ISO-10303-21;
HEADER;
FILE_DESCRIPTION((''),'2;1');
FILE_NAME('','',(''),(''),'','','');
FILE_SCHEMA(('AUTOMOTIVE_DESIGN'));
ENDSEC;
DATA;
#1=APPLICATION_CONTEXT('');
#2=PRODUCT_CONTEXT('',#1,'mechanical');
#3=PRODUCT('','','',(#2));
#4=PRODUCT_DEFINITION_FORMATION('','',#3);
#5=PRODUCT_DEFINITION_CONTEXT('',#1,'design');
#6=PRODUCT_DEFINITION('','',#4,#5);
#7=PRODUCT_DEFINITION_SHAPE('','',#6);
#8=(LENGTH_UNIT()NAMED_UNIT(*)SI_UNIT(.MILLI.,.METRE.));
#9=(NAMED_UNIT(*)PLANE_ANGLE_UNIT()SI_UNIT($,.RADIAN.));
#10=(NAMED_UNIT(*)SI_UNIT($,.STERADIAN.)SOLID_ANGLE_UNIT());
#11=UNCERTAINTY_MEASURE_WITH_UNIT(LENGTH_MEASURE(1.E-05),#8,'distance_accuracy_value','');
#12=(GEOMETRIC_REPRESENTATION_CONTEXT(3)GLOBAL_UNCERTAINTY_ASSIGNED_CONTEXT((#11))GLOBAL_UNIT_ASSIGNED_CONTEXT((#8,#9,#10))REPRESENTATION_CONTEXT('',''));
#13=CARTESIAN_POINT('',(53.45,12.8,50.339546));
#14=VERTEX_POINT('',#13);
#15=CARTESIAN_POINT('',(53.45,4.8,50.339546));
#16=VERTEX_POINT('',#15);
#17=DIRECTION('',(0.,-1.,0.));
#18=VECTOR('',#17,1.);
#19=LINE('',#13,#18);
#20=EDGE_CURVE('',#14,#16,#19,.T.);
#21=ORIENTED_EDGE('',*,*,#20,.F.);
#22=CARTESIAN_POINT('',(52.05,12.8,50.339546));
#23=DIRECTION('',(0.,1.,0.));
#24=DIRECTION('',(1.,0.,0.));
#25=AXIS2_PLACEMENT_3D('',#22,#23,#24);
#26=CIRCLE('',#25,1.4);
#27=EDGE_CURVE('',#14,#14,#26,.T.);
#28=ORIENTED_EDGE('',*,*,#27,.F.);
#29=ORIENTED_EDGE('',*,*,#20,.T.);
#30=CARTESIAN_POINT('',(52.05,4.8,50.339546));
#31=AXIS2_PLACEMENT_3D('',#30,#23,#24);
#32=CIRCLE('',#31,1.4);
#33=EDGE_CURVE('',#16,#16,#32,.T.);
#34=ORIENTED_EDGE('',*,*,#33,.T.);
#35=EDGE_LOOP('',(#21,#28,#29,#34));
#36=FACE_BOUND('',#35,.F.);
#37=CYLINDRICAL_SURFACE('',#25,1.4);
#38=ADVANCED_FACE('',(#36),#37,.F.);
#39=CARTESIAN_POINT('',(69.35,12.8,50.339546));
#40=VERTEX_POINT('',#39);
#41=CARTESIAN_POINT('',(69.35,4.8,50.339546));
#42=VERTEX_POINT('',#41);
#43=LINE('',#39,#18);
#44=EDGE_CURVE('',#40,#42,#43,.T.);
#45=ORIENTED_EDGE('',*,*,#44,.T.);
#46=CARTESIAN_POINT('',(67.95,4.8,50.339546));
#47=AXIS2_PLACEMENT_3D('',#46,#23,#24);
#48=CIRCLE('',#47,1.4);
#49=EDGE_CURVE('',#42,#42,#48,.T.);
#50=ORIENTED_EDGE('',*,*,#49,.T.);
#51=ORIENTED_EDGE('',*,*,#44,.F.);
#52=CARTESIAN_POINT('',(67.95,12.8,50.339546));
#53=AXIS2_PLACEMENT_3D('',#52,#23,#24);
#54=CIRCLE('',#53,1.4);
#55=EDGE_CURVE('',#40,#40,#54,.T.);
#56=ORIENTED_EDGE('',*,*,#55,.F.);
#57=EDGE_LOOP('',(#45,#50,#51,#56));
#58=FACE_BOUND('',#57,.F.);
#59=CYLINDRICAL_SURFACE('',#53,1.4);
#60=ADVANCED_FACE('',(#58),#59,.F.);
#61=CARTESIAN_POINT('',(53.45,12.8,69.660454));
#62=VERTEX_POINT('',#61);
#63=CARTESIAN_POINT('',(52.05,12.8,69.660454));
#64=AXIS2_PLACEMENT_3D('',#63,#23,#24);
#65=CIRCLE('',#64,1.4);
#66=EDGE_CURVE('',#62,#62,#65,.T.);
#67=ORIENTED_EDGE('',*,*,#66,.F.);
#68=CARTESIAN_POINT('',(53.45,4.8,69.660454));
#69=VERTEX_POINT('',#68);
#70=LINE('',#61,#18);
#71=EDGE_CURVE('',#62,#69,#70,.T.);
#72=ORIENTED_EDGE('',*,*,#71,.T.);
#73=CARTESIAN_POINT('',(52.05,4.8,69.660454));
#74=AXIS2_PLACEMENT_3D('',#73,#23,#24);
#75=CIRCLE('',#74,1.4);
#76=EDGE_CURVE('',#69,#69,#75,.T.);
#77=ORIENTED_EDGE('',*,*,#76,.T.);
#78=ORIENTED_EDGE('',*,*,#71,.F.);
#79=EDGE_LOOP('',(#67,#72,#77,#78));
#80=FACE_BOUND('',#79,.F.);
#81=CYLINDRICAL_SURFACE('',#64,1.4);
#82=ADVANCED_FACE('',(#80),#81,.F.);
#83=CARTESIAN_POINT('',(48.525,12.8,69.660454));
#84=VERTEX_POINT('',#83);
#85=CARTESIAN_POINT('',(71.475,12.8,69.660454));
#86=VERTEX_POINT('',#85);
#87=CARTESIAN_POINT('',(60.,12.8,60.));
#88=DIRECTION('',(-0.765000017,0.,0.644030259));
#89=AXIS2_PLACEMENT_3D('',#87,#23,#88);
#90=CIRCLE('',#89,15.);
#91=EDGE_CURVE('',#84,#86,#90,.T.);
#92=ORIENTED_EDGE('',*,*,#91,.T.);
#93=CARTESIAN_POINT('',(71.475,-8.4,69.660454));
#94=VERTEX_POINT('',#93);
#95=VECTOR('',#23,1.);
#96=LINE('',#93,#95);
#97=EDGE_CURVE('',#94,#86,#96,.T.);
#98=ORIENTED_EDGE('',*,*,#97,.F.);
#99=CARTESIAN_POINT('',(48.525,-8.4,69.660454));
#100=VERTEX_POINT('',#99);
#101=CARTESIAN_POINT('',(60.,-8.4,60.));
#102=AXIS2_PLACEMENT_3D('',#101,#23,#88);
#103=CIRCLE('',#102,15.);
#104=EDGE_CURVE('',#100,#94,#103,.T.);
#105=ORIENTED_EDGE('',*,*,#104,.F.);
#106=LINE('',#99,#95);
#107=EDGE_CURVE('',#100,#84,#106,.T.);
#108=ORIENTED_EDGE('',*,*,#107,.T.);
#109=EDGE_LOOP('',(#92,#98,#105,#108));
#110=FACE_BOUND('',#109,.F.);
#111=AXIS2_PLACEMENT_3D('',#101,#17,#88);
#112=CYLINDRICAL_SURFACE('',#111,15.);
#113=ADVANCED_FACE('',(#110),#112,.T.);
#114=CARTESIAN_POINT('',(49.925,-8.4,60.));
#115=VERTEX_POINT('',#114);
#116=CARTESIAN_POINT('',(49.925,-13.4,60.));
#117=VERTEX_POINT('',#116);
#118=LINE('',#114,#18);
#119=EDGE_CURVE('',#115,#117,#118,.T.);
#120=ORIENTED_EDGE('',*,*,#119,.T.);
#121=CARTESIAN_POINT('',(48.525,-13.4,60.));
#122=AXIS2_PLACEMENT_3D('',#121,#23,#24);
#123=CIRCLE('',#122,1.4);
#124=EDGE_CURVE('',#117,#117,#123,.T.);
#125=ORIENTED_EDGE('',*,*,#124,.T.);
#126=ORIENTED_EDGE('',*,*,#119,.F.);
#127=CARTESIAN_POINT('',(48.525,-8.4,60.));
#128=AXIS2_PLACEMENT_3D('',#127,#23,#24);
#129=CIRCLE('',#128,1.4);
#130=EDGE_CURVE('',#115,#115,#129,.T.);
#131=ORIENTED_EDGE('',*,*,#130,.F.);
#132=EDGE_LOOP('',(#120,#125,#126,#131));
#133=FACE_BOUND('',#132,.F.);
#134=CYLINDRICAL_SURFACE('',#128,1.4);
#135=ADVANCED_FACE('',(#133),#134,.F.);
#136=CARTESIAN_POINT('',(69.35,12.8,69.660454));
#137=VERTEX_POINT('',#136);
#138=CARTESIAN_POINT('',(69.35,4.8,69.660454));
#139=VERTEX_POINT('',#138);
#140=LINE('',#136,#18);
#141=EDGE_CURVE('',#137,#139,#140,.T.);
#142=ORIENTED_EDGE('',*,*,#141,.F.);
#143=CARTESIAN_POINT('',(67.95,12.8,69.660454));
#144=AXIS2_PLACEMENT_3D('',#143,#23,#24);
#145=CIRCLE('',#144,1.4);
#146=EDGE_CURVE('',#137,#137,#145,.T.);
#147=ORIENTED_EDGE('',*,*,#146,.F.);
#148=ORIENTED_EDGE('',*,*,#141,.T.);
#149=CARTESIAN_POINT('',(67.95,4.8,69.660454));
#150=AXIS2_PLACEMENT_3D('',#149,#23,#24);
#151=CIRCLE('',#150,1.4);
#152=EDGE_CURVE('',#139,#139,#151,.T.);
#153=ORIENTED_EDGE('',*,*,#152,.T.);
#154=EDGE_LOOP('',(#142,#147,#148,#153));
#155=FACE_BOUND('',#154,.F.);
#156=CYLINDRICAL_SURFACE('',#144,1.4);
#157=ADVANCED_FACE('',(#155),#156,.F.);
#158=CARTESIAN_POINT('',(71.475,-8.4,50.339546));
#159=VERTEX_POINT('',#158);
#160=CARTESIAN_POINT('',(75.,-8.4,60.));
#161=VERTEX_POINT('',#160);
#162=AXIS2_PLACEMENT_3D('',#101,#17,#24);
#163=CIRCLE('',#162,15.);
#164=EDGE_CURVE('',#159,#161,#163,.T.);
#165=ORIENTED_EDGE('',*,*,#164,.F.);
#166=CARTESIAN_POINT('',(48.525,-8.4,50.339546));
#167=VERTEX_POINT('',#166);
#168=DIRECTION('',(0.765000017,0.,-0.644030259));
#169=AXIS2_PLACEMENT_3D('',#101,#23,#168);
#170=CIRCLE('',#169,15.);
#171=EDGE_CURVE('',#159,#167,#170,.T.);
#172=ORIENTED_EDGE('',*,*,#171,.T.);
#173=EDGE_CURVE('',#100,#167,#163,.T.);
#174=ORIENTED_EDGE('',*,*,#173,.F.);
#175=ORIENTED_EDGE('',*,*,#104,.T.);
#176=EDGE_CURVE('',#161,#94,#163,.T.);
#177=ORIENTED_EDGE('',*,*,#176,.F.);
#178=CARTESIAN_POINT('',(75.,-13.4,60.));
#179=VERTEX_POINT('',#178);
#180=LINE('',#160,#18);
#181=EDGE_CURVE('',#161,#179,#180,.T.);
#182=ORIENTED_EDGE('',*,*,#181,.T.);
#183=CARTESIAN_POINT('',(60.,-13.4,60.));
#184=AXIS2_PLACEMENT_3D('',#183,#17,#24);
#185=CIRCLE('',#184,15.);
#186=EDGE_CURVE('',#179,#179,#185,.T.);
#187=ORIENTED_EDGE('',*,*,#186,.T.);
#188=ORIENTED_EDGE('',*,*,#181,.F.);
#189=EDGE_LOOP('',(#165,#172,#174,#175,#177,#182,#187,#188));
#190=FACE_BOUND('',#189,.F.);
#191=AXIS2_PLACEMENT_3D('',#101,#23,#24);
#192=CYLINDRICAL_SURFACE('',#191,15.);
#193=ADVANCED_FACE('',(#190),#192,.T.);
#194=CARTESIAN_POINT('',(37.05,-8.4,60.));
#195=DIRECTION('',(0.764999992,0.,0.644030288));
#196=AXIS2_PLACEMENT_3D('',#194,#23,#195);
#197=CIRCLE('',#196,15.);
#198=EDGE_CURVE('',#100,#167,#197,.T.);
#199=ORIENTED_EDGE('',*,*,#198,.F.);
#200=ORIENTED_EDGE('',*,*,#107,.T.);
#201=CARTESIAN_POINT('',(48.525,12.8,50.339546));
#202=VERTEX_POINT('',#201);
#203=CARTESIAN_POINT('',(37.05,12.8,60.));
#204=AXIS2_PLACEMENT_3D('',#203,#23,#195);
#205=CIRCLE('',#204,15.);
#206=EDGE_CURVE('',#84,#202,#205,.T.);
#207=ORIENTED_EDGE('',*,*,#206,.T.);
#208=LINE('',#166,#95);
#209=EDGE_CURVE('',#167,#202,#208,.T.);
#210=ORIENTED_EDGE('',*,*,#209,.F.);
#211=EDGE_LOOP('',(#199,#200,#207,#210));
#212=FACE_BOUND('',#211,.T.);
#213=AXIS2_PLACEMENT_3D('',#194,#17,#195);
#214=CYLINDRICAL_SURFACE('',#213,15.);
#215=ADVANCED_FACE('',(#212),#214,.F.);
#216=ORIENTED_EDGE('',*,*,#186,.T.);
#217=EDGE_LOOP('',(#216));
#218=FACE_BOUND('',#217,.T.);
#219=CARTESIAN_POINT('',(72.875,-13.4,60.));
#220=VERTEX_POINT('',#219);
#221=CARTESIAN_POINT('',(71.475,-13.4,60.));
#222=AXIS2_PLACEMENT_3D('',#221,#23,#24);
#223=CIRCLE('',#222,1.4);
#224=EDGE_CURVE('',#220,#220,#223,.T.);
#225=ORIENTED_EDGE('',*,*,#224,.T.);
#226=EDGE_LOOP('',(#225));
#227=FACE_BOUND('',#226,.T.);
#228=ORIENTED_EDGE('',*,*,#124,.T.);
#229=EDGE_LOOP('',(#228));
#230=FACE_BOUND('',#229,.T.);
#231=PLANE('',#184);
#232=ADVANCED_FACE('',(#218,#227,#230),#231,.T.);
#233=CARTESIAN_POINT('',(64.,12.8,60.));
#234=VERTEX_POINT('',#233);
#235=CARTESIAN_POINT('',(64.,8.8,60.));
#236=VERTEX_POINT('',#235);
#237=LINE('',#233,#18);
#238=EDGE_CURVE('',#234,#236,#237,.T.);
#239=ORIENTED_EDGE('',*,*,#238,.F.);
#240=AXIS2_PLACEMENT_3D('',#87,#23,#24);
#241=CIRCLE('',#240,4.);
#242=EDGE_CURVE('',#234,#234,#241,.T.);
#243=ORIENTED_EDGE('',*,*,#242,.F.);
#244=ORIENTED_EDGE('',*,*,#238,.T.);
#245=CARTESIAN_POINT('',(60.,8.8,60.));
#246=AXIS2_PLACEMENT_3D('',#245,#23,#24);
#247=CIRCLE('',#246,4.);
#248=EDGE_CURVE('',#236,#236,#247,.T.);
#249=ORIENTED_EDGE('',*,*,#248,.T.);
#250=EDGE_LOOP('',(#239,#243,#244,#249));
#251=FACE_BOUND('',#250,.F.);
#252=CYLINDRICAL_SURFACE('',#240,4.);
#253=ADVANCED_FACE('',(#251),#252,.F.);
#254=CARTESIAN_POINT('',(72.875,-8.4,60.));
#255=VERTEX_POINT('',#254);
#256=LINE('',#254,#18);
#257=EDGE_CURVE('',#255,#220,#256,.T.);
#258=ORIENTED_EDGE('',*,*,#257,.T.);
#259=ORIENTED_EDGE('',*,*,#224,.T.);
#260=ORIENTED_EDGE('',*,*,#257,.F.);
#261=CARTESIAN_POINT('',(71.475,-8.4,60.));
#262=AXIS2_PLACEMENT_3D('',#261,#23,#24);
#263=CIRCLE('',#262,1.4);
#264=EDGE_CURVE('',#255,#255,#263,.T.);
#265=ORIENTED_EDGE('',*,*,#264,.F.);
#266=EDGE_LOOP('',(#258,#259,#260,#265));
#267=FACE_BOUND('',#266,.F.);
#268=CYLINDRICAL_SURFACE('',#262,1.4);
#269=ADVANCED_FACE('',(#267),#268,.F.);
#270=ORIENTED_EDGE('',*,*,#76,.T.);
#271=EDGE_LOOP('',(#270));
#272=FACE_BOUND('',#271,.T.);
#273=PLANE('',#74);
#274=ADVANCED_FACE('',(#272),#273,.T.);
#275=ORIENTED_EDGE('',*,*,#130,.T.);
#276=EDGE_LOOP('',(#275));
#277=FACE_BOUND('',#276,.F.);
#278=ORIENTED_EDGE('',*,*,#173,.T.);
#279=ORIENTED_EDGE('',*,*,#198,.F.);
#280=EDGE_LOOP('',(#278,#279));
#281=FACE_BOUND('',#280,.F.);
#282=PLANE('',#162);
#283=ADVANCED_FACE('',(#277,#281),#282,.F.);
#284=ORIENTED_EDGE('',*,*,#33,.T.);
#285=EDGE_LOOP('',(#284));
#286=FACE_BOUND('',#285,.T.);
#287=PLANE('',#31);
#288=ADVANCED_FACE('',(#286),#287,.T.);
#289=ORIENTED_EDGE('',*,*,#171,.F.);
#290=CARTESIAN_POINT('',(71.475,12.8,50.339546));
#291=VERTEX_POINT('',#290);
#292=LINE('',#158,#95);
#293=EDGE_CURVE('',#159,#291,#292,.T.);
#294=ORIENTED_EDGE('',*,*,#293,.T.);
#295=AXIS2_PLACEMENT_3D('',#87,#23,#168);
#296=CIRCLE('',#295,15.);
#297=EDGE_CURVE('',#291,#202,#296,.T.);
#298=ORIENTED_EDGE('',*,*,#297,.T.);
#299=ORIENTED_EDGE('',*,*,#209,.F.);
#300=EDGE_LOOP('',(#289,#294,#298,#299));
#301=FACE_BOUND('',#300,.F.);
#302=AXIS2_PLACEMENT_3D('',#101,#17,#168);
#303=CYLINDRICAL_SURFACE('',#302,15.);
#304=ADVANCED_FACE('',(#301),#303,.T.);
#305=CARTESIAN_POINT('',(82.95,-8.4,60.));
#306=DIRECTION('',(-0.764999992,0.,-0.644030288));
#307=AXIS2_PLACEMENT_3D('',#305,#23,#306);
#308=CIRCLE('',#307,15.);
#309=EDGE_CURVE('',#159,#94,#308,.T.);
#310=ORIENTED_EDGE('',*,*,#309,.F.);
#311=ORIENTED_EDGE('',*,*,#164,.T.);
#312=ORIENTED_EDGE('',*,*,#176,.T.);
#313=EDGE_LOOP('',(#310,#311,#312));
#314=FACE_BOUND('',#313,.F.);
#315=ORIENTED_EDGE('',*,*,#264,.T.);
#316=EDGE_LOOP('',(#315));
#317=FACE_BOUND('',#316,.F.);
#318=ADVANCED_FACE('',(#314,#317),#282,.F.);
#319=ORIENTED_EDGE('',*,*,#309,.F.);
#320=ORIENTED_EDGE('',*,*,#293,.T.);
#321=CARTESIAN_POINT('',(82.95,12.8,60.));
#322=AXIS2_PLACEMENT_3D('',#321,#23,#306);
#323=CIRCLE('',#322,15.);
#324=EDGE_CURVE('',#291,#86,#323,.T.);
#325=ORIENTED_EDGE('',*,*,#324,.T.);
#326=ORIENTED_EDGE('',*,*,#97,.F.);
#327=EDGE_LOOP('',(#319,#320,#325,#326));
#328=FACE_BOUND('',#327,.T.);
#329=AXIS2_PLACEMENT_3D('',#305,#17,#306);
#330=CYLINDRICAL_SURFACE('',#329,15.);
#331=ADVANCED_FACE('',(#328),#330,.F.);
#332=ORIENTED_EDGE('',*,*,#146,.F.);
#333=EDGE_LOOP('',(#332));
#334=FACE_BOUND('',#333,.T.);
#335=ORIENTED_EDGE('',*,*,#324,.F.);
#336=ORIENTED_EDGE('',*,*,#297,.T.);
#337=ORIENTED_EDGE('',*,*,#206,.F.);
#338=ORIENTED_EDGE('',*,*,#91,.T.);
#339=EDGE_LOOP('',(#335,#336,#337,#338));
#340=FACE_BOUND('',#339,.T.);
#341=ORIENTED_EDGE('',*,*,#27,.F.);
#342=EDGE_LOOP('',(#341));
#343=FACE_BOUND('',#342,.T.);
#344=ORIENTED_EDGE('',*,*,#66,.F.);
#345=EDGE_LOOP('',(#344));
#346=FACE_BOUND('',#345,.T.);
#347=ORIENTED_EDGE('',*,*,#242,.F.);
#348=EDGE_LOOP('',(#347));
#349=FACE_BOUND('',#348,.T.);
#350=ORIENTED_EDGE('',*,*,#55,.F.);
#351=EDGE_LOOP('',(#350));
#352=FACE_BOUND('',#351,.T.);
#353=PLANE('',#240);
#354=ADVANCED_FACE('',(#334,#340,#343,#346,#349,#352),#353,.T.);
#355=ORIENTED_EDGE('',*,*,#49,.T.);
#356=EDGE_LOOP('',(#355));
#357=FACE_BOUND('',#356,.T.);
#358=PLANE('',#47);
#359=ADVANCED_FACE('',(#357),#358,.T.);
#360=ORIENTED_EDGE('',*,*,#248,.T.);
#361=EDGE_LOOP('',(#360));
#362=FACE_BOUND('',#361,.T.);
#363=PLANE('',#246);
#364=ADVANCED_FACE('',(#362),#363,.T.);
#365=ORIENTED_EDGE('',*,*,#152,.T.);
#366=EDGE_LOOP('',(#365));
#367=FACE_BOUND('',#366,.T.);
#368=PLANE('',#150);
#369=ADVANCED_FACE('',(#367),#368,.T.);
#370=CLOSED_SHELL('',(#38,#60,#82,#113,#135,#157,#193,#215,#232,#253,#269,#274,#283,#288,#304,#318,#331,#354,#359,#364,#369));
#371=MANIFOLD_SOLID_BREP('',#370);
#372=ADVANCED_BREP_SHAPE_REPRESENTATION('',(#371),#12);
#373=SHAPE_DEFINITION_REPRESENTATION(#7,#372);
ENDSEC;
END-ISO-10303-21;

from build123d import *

# Parameters (mm, degrees)
SKETCH073_R     = 15
PAD017_DEPTH    = 5
SKETCH074_R     = 1.4
POCKET046_DEPTH = 5.001
PAD018_DEPTH    = 21.2
SKETCH_R        = 4
POCKET_DEPTH    = 4
SKETCH076_R     = 1.4
POCKET048_DEPTH = 8


with BuildPart() as part:
    # Sketch073 → Pad017 (new body)
    with BuildSketch(Plane.XZ):
        Circle(SKETCH073_R)
    extrude(amount=PAD017_DEPTH)

    # Sketch074 (on Face2 of Pad017) → Pocket046 (cut, through all)
    with BuildSketch(Plane(origin=(0, 0, 0), x_dir=(1, 0, 0), z_dir=(0, 1, 0))):
        with Locations((-11.475, 0)):
            Circle(SKETCH074_R)
        with Locations((11.475, 0)):
            Circle(SKETCH074_R)
    extrude(amount=-POCKET046_DEPTH, mode=Mode.SUBTRACT)

    # Sketch075 (on Face2 of Pocket046) → Pad018 (join)
    with BuildSketch(Plane(origin=(0, 0, 0), x_dir=(1, 0, 0), z_dir=(0, 1, 0))):
        with BuildLine():
            ThreePointArc((11.475, 9.660454), (0, 15), (-11.475, 9.660454))
            ThreePointArc((-11.475, -9.660454), (-7.95, 0), (-11.475, 9.660454))
            ThreePointArc((-11.475, -9.660454), (0, -15), (11.475, -9.660454))
            ThreePointArc((11.475, 9.660454), (7.95, 0), (11.475, -9.660454))
        make_face()
    extrude(amount=PAD018_DEPTH)

    # Sketch (on Face10 of Pad018) → Pocket (cut)
    with BuildSketch(Plane(origin=(0, 21.2, 0), x_dir=(1, 0, 0), z_dir=(0, 1, 0))):
        Circle(SKETCH_R)
    extrude(amount=-POCKET_DEPTH, mode=Mode.SUBTRACT)

    # Sketch076 (on Face10 of Pocket) → Pocket048 (cut)
    with BuildSketch(Plane(origin=(0, 21.2, 0), x_dir=(1, 0, 0), z_dir=(0, 1, 0))):
        with Locations((-7.95, 9.660454)):
            Circle(SKETCH076_R)
        with Locations((7.95, 9.660454)):
            Circle(SKETCH076_R)
        with Locations((-7.95, -9.660454)):
            Circle(SKETCH076_R)
        with Locations((7.95, -9.660454)):
            Circle(SKETCH076_R)
    extrude(amount=-POCKET048_DEPTH, mode=Mode.SUBTRACT)


with BuildPart() as part_1:
    # Body001 placement: moved
    add(part.part.moved(Location((60, -8.4, 60))))


solid = part_1.part
